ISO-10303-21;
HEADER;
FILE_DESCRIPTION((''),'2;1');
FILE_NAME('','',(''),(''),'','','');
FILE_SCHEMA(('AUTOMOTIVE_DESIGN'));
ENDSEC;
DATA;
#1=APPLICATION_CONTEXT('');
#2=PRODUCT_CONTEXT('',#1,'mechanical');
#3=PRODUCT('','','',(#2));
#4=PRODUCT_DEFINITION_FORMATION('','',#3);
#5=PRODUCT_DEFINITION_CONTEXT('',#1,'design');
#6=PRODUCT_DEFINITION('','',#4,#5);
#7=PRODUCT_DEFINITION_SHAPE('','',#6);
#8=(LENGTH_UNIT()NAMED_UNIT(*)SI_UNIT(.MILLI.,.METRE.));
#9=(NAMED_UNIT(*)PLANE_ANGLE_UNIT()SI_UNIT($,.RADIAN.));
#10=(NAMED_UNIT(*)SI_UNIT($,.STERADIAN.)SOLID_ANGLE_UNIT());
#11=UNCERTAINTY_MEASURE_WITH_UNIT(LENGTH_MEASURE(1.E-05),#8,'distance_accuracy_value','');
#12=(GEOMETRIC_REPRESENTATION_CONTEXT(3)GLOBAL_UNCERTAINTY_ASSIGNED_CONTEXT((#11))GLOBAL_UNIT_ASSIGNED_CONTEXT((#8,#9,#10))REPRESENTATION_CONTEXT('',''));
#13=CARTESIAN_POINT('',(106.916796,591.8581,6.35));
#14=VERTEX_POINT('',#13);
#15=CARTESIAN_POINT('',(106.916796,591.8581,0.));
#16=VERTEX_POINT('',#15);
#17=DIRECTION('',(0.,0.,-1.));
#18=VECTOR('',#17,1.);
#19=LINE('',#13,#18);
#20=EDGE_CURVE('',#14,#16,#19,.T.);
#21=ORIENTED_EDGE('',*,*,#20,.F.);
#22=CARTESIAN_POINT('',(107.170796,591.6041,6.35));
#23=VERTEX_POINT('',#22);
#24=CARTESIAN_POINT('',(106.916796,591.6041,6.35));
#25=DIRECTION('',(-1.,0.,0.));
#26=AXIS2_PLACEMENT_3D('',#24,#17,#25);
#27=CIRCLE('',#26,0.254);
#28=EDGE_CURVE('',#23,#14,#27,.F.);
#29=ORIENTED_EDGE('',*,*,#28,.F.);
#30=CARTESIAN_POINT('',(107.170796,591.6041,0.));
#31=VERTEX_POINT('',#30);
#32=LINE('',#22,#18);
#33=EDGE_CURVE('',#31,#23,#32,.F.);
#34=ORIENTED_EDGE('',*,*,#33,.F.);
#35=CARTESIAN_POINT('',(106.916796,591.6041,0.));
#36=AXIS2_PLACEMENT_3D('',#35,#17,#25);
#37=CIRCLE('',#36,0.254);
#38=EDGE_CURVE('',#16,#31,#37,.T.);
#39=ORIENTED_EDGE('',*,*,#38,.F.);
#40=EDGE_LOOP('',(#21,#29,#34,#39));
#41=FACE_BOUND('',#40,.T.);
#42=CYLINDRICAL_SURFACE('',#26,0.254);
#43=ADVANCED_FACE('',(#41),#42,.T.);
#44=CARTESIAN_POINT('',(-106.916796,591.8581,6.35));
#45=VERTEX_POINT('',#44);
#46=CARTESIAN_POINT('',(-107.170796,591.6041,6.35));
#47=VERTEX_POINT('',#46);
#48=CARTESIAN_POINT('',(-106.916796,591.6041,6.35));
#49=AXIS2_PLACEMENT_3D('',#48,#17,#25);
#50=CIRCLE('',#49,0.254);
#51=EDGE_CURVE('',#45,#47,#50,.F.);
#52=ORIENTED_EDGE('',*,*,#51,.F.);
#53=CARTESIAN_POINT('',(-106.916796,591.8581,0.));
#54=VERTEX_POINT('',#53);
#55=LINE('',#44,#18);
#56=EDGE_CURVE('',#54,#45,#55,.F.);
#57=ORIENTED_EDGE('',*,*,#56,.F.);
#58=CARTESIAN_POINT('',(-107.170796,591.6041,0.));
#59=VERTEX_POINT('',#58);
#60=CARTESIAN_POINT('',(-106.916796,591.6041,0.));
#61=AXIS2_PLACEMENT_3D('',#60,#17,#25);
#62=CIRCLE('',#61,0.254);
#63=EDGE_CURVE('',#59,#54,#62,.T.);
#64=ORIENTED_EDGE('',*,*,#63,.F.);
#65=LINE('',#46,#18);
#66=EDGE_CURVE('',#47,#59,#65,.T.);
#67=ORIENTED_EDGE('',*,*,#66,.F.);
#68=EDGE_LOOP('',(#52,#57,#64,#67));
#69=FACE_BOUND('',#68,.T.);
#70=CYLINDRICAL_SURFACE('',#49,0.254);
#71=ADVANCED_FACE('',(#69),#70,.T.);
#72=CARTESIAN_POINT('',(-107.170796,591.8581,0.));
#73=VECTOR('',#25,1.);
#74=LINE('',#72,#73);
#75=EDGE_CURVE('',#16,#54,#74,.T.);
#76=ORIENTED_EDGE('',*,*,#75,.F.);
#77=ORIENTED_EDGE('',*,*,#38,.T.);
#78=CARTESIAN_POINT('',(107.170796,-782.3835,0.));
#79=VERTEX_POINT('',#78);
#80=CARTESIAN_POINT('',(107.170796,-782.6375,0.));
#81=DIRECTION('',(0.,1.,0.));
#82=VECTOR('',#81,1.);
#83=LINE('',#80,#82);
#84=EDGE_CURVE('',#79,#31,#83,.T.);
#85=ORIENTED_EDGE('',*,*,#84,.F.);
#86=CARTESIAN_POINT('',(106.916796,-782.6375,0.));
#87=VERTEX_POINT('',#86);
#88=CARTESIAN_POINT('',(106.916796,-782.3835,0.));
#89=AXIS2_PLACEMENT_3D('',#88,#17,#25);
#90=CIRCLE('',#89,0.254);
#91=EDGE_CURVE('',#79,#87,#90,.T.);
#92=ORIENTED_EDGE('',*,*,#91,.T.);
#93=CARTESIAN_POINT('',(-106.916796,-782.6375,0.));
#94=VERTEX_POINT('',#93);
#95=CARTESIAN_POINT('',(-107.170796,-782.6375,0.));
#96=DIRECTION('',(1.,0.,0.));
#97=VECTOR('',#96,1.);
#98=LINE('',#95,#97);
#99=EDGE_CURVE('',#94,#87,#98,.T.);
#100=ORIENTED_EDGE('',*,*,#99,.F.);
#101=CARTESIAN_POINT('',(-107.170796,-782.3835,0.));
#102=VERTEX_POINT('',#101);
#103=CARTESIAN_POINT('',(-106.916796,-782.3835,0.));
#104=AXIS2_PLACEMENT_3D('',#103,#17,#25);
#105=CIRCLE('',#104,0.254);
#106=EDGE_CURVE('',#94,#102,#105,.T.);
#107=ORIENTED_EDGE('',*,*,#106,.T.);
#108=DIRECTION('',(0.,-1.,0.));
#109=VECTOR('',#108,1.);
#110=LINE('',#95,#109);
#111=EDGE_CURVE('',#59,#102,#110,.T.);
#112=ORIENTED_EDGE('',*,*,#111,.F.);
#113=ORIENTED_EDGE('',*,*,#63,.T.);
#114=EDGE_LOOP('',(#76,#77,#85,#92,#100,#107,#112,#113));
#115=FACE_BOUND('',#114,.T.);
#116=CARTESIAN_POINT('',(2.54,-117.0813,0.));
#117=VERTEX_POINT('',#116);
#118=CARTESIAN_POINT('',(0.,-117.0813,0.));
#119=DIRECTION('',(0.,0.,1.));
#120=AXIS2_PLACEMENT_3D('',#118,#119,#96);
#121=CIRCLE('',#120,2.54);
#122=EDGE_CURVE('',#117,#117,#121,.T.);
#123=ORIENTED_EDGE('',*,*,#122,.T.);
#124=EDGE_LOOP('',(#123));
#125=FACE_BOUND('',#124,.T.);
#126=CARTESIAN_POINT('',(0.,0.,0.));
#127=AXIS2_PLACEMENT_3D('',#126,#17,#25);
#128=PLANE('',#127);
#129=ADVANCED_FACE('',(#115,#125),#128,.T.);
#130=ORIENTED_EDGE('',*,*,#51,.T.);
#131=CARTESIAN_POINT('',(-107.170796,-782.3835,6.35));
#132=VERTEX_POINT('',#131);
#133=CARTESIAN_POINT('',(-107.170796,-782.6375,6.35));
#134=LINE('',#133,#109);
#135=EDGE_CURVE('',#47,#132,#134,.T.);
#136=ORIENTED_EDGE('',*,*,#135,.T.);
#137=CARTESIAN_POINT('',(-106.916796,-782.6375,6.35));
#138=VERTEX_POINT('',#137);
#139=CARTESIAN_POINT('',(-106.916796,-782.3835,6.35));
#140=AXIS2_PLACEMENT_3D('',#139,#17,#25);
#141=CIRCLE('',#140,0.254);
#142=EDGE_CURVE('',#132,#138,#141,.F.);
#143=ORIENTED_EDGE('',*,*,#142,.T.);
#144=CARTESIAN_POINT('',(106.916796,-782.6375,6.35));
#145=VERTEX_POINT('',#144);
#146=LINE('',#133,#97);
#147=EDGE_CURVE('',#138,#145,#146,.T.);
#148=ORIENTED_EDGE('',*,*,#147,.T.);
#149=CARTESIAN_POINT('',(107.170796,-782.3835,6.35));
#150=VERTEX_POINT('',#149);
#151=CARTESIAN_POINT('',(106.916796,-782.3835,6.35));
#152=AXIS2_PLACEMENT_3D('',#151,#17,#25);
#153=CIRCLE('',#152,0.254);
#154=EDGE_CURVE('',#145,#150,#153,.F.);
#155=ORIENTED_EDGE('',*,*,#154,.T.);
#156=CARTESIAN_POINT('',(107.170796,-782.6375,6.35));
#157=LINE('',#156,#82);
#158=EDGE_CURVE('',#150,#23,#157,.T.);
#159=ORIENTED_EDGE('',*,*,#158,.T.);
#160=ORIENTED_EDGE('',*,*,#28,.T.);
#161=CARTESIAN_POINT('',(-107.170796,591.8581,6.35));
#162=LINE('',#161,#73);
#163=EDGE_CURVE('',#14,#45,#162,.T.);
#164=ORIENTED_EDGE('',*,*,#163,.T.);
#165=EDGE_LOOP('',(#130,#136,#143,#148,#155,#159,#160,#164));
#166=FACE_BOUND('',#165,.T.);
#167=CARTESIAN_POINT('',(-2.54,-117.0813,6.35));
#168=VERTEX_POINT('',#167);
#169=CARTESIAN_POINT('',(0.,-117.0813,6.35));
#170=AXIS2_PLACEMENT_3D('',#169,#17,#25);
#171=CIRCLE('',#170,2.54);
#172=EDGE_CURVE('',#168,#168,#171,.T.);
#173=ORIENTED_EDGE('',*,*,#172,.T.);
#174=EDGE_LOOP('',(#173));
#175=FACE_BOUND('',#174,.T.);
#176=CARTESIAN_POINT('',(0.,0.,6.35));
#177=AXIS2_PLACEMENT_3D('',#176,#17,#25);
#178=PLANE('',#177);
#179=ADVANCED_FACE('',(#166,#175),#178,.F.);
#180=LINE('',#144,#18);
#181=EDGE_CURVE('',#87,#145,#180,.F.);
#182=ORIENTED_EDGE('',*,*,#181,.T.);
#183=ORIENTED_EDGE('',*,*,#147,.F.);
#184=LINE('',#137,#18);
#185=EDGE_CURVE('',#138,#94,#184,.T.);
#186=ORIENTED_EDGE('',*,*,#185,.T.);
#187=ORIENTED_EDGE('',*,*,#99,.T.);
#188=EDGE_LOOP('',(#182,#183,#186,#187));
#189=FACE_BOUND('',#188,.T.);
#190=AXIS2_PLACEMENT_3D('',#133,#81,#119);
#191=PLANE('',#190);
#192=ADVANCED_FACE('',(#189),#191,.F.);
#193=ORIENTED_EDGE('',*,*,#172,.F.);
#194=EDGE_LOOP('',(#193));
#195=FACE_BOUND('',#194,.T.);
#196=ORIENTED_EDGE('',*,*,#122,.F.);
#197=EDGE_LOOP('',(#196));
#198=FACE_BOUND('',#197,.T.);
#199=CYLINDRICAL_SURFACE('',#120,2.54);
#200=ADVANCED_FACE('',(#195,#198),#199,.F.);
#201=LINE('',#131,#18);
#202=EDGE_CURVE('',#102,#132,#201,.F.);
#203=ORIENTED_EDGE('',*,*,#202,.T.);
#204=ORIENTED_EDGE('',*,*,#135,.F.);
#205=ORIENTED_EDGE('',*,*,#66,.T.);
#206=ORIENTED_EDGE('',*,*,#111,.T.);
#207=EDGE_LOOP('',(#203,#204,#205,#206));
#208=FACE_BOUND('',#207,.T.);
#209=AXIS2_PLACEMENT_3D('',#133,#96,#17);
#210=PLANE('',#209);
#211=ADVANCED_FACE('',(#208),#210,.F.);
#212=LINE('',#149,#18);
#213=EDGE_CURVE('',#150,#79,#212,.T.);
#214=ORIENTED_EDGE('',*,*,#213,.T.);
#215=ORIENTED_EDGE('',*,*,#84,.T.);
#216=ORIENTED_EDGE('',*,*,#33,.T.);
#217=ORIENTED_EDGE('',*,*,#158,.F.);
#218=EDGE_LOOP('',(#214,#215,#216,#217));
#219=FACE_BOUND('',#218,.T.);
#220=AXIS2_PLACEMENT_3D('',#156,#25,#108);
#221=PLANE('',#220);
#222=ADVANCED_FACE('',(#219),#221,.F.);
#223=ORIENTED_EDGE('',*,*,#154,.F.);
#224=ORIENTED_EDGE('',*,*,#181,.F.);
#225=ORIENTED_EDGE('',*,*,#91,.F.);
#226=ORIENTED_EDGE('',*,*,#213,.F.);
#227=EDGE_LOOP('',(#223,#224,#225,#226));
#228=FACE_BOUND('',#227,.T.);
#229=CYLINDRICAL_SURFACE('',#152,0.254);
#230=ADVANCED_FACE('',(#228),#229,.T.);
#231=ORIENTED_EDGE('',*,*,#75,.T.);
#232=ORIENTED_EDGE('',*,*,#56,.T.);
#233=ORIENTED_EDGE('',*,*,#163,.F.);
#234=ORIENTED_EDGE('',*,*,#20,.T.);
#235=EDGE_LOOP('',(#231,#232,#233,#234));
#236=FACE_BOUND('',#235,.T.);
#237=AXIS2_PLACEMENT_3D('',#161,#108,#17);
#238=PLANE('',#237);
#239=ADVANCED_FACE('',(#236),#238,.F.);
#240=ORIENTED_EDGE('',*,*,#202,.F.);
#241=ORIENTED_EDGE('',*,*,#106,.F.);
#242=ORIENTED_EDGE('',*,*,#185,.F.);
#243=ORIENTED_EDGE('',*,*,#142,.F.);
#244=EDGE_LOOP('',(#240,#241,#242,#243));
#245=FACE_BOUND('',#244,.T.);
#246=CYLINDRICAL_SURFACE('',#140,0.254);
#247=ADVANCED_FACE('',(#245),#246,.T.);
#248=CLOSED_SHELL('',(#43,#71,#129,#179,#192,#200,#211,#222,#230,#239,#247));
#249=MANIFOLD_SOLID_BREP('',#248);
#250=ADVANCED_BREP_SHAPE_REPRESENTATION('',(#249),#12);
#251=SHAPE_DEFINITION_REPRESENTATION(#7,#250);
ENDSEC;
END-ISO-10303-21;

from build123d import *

# Parameters (mm, degrees)
SKETCH1_W               = 214.341591878
SKETCH1_H               = 1374.4956
BOSS_EXTRUDE1_DEPTH     = 6.35
FILLET1_R               = 0.254
CUT_EXTRUDE1_DEPTH      = 790.966681834
CUT_EXTRUDE1_DEPTH_BACK = 790.966681834
SKETCH2_R               = 2.54


with BuildPart() as part:
    # Sketch1 → Boss-Extrude1 (new body)
    with BuildSketch(Plane.XY):
        with Locations((0, -95.3897)):
            Rectangle(SKETCH1_W, SKETCH1_H)
    extrude(amount=BOSS_EXTRUDE1_DEPTH)

    # Fillet1
    fillet1_edges = [part.edges().sort_by_distance(p)[0] for p in [
        (-107.170795939, 591.8581, 3.175),
        (107.170795939, 591.8581, 3.175),
        (107.170795939, -782.6375, 3.175),
        (-107.170795939, -782.6375, 3.175),
    ]]
    fillet(fillet1_edges, radius=FILLET1_R)

    # Sketch2 → Cut-Extrude1 (cut, two sides: drawn at the far end of the back side and taken through both)
    with BuildSketch(Plane.XY.offset(6.35).offset(-CUT_EXTRUDE1_DEPTH_BACK)):
        with Locations((0, -117.0813)):
            Circle(SKETCH2_R)
    extrude(amount=CUT_EXTRUDE1_DEPTH + CUT_EXTRUDE1_DEPTH_BACK, mode=Mode.SUBTRACT)


solid = part.part
